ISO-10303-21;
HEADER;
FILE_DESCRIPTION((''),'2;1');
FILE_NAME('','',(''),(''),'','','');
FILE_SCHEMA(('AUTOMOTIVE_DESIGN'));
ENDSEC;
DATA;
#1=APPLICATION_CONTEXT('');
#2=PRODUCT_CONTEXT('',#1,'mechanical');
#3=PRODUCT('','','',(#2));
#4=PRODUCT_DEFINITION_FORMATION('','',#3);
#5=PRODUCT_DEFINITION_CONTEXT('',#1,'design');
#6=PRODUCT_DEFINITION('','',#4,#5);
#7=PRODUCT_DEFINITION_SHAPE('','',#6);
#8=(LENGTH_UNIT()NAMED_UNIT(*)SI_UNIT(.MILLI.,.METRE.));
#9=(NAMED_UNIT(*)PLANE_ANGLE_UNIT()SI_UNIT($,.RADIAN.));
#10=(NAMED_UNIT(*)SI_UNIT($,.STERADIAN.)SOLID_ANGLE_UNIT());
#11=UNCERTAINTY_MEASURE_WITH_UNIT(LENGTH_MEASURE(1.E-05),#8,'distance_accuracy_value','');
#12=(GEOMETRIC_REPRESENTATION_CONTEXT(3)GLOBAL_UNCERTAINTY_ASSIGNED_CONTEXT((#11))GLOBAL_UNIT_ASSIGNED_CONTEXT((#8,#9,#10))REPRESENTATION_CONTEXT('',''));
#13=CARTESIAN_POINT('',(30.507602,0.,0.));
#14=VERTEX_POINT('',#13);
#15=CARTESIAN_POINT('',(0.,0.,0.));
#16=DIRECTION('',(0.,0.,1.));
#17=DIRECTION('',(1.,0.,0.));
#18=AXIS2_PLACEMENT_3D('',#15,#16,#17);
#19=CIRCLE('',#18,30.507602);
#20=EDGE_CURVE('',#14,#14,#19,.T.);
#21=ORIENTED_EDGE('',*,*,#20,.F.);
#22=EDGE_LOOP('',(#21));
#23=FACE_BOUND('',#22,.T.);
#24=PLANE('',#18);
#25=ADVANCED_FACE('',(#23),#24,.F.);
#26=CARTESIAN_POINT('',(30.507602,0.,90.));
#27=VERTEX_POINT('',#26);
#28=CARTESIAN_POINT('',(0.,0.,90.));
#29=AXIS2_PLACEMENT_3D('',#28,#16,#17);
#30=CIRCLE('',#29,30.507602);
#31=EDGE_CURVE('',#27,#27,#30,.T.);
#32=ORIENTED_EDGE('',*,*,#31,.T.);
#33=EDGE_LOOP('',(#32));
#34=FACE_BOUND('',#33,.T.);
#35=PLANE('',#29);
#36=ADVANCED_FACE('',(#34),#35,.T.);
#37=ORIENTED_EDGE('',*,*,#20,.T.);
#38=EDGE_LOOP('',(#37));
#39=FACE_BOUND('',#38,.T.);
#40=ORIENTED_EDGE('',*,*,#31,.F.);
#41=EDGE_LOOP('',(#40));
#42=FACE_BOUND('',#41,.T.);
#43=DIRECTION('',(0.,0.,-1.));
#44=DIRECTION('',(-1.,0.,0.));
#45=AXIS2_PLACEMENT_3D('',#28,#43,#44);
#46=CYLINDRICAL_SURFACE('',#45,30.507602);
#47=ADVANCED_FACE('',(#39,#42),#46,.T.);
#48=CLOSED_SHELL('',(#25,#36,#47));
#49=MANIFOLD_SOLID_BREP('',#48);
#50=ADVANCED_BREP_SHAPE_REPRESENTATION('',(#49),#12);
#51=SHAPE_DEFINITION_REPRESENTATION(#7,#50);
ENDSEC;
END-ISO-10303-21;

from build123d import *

# Parameters (mm, degrees)
SKETCH1_R           = 30.507602491
BOSS_EXTRUDE1_DEPTH = 90


with BuildPart() as part:
    # Sketch1 → Boss-Extrude1 (new body)
    with BuildSketch(Plane.XY):
        Circle(SKETCH1_R)
    extrude(amount=BOSS_EXTRUDE1_DEPTH)


solid = part.part
